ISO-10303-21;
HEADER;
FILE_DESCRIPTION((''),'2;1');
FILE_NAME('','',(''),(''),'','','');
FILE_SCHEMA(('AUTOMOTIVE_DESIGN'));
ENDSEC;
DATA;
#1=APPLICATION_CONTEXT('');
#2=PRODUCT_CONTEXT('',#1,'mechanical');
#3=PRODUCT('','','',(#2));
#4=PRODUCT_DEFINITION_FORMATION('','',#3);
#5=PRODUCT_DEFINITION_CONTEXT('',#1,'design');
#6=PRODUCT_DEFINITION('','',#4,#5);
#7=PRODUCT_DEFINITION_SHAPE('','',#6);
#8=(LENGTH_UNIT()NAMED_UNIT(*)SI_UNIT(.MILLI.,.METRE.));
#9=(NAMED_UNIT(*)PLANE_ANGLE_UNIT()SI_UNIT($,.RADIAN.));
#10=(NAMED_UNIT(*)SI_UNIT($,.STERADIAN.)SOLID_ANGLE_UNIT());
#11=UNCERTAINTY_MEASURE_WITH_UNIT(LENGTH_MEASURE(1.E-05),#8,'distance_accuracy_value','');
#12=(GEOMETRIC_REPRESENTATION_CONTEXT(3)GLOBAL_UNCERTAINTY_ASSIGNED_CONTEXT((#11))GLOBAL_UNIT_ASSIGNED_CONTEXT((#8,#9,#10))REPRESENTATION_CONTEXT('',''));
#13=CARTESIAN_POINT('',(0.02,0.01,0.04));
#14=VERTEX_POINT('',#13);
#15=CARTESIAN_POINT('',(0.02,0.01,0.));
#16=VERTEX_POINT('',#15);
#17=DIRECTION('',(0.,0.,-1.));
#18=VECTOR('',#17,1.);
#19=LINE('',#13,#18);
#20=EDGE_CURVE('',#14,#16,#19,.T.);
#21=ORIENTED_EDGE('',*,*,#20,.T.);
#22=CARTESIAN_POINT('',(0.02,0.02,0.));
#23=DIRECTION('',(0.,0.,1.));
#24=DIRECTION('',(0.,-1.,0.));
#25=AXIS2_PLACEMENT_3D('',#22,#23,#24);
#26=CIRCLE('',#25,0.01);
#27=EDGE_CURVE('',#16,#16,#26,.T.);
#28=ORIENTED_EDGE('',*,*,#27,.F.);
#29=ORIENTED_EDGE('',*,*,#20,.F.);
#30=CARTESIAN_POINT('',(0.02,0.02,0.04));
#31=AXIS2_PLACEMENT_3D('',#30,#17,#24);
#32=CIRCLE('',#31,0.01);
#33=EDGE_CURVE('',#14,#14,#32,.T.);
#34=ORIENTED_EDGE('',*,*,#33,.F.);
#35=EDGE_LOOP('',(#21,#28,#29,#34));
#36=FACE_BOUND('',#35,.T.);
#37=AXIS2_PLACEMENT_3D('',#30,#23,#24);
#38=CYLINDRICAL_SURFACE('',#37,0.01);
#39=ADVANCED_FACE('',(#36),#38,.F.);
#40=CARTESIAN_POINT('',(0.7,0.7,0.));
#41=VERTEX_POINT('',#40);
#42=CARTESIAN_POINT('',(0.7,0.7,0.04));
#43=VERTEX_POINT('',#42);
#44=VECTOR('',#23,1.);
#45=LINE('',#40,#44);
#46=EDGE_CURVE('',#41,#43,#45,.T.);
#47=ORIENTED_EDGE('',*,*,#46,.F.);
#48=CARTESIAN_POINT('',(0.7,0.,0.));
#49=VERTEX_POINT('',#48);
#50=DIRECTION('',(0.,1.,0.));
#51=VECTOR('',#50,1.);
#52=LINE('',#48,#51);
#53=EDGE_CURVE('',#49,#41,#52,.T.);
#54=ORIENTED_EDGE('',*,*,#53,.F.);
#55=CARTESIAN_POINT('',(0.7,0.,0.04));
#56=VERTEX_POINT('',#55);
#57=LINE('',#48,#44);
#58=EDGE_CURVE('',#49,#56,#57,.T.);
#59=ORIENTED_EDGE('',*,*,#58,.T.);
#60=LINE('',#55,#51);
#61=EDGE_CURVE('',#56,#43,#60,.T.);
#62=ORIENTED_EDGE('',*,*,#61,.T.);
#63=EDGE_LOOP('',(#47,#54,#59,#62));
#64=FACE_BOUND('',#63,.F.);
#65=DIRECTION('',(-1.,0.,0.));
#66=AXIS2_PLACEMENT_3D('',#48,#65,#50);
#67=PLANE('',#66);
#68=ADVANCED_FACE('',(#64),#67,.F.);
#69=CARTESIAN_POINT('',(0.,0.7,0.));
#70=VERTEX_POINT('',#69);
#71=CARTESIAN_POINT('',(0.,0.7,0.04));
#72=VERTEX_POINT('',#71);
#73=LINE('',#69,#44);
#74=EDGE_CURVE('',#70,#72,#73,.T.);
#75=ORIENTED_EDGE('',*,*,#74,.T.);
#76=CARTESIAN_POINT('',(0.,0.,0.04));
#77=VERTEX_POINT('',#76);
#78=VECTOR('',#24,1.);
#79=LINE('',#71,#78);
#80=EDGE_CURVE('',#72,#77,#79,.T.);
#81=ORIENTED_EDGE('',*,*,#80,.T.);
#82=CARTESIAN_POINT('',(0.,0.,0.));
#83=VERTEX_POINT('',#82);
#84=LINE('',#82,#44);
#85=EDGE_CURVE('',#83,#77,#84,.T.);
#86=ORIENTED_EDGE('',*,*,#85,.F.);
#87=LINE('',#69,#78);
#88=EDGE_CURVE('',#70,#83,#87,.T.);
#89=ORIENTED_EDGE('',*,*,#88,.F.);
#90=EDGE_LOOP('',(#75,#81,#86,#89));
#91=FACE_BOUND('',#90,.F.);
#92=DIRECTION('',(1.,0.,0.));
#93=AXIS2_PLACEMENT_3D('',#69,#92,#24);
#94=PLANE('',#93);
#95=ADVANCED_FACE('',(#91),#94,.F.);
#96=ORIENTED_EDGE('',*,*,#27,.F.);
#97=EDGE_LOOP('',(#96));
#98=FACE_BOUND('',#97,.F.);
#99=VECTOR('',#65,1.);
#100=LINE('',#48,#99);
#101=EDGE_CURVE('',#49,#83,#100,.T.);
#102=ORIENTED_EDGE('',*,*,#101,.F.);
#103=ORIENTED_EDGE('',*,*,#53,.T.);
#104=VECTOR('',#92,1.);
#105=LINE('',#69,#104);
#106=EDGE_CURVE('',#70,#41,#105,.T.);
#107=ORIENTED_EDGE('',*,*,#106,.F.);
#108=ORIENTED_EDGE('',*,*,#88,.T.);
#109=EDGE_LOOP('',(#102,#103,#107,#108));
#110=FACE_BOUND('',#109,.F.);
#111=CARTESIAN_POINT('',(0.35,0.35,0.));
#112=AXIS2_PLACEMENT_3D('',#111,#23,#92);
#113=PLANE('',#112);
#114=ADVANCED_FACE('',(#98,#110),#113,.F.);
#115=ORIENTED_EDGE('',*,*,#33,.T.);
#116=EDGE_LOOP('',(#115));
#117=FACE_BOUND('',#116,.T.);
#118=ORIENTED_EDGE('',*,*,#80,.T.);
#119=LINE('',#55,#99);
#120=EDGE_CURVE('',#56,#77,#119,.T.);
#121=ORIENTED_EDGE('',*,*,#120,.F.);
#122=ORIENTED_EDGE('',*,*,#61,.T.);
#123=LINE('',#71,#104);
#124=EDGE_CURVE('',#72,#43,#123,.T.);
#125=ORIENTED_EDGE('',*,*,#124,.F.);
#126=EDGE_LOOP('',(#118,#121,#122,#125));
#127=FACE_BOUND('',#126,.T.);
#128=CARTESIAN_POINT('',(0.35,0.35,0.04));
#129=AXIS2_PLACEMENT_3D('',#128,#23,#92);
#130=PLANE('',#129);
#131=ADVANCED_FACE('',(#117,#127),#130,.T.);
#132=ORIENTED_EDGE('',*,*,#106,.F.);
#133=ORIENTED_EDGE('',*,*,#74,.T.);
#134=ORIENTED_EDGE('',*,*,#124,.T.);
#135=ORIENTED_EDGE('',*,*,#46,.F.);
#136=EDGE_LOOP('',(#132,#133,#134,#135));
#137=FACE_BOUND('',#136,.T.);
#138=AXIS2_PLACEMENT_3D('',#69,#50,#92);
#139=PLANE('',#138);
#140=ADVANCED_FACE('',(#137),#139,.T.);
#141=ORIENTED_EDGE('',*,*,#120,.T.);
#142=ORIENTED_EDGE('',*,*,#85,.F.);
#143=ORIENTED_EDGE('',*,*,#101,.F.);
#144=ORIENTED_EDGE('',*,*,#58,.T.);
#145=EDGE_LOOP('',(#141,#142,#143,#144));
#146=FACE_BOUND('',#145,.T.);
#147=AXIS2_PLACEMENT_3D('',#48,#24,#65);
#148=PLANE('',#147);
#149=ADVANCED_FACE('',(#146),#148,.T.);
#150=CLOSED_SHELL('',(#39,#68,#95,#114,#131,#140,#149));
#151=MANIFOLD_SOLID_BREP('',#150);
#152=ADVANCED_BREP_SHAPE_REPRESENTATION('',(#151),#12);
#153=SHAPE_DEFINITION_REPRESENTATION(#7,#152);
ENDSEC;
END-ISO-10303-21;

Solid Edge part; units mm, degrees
sketch "Sketch1" plane through (0, 0, 0) normal (0, 0, 1) x (1, 0, 0)
  line L0 (0.7, 0) -> (0.7, 0.7)
  line L1 (0, 0.7) -> (0.7, 0.7)
  line L2 (0, 0.7) -> (0, 0)
  line L3 (0.7, 0) -> (0, 0)
  dimension "D1" = 0.7
extrude "Protrusion1" add sketch "Sketch1" along normal blind 0.04
hole "Bohrung_1" at (0.02, 0.02, 0.04) direction (0, 0, -1) diameter 0.02 end through all
